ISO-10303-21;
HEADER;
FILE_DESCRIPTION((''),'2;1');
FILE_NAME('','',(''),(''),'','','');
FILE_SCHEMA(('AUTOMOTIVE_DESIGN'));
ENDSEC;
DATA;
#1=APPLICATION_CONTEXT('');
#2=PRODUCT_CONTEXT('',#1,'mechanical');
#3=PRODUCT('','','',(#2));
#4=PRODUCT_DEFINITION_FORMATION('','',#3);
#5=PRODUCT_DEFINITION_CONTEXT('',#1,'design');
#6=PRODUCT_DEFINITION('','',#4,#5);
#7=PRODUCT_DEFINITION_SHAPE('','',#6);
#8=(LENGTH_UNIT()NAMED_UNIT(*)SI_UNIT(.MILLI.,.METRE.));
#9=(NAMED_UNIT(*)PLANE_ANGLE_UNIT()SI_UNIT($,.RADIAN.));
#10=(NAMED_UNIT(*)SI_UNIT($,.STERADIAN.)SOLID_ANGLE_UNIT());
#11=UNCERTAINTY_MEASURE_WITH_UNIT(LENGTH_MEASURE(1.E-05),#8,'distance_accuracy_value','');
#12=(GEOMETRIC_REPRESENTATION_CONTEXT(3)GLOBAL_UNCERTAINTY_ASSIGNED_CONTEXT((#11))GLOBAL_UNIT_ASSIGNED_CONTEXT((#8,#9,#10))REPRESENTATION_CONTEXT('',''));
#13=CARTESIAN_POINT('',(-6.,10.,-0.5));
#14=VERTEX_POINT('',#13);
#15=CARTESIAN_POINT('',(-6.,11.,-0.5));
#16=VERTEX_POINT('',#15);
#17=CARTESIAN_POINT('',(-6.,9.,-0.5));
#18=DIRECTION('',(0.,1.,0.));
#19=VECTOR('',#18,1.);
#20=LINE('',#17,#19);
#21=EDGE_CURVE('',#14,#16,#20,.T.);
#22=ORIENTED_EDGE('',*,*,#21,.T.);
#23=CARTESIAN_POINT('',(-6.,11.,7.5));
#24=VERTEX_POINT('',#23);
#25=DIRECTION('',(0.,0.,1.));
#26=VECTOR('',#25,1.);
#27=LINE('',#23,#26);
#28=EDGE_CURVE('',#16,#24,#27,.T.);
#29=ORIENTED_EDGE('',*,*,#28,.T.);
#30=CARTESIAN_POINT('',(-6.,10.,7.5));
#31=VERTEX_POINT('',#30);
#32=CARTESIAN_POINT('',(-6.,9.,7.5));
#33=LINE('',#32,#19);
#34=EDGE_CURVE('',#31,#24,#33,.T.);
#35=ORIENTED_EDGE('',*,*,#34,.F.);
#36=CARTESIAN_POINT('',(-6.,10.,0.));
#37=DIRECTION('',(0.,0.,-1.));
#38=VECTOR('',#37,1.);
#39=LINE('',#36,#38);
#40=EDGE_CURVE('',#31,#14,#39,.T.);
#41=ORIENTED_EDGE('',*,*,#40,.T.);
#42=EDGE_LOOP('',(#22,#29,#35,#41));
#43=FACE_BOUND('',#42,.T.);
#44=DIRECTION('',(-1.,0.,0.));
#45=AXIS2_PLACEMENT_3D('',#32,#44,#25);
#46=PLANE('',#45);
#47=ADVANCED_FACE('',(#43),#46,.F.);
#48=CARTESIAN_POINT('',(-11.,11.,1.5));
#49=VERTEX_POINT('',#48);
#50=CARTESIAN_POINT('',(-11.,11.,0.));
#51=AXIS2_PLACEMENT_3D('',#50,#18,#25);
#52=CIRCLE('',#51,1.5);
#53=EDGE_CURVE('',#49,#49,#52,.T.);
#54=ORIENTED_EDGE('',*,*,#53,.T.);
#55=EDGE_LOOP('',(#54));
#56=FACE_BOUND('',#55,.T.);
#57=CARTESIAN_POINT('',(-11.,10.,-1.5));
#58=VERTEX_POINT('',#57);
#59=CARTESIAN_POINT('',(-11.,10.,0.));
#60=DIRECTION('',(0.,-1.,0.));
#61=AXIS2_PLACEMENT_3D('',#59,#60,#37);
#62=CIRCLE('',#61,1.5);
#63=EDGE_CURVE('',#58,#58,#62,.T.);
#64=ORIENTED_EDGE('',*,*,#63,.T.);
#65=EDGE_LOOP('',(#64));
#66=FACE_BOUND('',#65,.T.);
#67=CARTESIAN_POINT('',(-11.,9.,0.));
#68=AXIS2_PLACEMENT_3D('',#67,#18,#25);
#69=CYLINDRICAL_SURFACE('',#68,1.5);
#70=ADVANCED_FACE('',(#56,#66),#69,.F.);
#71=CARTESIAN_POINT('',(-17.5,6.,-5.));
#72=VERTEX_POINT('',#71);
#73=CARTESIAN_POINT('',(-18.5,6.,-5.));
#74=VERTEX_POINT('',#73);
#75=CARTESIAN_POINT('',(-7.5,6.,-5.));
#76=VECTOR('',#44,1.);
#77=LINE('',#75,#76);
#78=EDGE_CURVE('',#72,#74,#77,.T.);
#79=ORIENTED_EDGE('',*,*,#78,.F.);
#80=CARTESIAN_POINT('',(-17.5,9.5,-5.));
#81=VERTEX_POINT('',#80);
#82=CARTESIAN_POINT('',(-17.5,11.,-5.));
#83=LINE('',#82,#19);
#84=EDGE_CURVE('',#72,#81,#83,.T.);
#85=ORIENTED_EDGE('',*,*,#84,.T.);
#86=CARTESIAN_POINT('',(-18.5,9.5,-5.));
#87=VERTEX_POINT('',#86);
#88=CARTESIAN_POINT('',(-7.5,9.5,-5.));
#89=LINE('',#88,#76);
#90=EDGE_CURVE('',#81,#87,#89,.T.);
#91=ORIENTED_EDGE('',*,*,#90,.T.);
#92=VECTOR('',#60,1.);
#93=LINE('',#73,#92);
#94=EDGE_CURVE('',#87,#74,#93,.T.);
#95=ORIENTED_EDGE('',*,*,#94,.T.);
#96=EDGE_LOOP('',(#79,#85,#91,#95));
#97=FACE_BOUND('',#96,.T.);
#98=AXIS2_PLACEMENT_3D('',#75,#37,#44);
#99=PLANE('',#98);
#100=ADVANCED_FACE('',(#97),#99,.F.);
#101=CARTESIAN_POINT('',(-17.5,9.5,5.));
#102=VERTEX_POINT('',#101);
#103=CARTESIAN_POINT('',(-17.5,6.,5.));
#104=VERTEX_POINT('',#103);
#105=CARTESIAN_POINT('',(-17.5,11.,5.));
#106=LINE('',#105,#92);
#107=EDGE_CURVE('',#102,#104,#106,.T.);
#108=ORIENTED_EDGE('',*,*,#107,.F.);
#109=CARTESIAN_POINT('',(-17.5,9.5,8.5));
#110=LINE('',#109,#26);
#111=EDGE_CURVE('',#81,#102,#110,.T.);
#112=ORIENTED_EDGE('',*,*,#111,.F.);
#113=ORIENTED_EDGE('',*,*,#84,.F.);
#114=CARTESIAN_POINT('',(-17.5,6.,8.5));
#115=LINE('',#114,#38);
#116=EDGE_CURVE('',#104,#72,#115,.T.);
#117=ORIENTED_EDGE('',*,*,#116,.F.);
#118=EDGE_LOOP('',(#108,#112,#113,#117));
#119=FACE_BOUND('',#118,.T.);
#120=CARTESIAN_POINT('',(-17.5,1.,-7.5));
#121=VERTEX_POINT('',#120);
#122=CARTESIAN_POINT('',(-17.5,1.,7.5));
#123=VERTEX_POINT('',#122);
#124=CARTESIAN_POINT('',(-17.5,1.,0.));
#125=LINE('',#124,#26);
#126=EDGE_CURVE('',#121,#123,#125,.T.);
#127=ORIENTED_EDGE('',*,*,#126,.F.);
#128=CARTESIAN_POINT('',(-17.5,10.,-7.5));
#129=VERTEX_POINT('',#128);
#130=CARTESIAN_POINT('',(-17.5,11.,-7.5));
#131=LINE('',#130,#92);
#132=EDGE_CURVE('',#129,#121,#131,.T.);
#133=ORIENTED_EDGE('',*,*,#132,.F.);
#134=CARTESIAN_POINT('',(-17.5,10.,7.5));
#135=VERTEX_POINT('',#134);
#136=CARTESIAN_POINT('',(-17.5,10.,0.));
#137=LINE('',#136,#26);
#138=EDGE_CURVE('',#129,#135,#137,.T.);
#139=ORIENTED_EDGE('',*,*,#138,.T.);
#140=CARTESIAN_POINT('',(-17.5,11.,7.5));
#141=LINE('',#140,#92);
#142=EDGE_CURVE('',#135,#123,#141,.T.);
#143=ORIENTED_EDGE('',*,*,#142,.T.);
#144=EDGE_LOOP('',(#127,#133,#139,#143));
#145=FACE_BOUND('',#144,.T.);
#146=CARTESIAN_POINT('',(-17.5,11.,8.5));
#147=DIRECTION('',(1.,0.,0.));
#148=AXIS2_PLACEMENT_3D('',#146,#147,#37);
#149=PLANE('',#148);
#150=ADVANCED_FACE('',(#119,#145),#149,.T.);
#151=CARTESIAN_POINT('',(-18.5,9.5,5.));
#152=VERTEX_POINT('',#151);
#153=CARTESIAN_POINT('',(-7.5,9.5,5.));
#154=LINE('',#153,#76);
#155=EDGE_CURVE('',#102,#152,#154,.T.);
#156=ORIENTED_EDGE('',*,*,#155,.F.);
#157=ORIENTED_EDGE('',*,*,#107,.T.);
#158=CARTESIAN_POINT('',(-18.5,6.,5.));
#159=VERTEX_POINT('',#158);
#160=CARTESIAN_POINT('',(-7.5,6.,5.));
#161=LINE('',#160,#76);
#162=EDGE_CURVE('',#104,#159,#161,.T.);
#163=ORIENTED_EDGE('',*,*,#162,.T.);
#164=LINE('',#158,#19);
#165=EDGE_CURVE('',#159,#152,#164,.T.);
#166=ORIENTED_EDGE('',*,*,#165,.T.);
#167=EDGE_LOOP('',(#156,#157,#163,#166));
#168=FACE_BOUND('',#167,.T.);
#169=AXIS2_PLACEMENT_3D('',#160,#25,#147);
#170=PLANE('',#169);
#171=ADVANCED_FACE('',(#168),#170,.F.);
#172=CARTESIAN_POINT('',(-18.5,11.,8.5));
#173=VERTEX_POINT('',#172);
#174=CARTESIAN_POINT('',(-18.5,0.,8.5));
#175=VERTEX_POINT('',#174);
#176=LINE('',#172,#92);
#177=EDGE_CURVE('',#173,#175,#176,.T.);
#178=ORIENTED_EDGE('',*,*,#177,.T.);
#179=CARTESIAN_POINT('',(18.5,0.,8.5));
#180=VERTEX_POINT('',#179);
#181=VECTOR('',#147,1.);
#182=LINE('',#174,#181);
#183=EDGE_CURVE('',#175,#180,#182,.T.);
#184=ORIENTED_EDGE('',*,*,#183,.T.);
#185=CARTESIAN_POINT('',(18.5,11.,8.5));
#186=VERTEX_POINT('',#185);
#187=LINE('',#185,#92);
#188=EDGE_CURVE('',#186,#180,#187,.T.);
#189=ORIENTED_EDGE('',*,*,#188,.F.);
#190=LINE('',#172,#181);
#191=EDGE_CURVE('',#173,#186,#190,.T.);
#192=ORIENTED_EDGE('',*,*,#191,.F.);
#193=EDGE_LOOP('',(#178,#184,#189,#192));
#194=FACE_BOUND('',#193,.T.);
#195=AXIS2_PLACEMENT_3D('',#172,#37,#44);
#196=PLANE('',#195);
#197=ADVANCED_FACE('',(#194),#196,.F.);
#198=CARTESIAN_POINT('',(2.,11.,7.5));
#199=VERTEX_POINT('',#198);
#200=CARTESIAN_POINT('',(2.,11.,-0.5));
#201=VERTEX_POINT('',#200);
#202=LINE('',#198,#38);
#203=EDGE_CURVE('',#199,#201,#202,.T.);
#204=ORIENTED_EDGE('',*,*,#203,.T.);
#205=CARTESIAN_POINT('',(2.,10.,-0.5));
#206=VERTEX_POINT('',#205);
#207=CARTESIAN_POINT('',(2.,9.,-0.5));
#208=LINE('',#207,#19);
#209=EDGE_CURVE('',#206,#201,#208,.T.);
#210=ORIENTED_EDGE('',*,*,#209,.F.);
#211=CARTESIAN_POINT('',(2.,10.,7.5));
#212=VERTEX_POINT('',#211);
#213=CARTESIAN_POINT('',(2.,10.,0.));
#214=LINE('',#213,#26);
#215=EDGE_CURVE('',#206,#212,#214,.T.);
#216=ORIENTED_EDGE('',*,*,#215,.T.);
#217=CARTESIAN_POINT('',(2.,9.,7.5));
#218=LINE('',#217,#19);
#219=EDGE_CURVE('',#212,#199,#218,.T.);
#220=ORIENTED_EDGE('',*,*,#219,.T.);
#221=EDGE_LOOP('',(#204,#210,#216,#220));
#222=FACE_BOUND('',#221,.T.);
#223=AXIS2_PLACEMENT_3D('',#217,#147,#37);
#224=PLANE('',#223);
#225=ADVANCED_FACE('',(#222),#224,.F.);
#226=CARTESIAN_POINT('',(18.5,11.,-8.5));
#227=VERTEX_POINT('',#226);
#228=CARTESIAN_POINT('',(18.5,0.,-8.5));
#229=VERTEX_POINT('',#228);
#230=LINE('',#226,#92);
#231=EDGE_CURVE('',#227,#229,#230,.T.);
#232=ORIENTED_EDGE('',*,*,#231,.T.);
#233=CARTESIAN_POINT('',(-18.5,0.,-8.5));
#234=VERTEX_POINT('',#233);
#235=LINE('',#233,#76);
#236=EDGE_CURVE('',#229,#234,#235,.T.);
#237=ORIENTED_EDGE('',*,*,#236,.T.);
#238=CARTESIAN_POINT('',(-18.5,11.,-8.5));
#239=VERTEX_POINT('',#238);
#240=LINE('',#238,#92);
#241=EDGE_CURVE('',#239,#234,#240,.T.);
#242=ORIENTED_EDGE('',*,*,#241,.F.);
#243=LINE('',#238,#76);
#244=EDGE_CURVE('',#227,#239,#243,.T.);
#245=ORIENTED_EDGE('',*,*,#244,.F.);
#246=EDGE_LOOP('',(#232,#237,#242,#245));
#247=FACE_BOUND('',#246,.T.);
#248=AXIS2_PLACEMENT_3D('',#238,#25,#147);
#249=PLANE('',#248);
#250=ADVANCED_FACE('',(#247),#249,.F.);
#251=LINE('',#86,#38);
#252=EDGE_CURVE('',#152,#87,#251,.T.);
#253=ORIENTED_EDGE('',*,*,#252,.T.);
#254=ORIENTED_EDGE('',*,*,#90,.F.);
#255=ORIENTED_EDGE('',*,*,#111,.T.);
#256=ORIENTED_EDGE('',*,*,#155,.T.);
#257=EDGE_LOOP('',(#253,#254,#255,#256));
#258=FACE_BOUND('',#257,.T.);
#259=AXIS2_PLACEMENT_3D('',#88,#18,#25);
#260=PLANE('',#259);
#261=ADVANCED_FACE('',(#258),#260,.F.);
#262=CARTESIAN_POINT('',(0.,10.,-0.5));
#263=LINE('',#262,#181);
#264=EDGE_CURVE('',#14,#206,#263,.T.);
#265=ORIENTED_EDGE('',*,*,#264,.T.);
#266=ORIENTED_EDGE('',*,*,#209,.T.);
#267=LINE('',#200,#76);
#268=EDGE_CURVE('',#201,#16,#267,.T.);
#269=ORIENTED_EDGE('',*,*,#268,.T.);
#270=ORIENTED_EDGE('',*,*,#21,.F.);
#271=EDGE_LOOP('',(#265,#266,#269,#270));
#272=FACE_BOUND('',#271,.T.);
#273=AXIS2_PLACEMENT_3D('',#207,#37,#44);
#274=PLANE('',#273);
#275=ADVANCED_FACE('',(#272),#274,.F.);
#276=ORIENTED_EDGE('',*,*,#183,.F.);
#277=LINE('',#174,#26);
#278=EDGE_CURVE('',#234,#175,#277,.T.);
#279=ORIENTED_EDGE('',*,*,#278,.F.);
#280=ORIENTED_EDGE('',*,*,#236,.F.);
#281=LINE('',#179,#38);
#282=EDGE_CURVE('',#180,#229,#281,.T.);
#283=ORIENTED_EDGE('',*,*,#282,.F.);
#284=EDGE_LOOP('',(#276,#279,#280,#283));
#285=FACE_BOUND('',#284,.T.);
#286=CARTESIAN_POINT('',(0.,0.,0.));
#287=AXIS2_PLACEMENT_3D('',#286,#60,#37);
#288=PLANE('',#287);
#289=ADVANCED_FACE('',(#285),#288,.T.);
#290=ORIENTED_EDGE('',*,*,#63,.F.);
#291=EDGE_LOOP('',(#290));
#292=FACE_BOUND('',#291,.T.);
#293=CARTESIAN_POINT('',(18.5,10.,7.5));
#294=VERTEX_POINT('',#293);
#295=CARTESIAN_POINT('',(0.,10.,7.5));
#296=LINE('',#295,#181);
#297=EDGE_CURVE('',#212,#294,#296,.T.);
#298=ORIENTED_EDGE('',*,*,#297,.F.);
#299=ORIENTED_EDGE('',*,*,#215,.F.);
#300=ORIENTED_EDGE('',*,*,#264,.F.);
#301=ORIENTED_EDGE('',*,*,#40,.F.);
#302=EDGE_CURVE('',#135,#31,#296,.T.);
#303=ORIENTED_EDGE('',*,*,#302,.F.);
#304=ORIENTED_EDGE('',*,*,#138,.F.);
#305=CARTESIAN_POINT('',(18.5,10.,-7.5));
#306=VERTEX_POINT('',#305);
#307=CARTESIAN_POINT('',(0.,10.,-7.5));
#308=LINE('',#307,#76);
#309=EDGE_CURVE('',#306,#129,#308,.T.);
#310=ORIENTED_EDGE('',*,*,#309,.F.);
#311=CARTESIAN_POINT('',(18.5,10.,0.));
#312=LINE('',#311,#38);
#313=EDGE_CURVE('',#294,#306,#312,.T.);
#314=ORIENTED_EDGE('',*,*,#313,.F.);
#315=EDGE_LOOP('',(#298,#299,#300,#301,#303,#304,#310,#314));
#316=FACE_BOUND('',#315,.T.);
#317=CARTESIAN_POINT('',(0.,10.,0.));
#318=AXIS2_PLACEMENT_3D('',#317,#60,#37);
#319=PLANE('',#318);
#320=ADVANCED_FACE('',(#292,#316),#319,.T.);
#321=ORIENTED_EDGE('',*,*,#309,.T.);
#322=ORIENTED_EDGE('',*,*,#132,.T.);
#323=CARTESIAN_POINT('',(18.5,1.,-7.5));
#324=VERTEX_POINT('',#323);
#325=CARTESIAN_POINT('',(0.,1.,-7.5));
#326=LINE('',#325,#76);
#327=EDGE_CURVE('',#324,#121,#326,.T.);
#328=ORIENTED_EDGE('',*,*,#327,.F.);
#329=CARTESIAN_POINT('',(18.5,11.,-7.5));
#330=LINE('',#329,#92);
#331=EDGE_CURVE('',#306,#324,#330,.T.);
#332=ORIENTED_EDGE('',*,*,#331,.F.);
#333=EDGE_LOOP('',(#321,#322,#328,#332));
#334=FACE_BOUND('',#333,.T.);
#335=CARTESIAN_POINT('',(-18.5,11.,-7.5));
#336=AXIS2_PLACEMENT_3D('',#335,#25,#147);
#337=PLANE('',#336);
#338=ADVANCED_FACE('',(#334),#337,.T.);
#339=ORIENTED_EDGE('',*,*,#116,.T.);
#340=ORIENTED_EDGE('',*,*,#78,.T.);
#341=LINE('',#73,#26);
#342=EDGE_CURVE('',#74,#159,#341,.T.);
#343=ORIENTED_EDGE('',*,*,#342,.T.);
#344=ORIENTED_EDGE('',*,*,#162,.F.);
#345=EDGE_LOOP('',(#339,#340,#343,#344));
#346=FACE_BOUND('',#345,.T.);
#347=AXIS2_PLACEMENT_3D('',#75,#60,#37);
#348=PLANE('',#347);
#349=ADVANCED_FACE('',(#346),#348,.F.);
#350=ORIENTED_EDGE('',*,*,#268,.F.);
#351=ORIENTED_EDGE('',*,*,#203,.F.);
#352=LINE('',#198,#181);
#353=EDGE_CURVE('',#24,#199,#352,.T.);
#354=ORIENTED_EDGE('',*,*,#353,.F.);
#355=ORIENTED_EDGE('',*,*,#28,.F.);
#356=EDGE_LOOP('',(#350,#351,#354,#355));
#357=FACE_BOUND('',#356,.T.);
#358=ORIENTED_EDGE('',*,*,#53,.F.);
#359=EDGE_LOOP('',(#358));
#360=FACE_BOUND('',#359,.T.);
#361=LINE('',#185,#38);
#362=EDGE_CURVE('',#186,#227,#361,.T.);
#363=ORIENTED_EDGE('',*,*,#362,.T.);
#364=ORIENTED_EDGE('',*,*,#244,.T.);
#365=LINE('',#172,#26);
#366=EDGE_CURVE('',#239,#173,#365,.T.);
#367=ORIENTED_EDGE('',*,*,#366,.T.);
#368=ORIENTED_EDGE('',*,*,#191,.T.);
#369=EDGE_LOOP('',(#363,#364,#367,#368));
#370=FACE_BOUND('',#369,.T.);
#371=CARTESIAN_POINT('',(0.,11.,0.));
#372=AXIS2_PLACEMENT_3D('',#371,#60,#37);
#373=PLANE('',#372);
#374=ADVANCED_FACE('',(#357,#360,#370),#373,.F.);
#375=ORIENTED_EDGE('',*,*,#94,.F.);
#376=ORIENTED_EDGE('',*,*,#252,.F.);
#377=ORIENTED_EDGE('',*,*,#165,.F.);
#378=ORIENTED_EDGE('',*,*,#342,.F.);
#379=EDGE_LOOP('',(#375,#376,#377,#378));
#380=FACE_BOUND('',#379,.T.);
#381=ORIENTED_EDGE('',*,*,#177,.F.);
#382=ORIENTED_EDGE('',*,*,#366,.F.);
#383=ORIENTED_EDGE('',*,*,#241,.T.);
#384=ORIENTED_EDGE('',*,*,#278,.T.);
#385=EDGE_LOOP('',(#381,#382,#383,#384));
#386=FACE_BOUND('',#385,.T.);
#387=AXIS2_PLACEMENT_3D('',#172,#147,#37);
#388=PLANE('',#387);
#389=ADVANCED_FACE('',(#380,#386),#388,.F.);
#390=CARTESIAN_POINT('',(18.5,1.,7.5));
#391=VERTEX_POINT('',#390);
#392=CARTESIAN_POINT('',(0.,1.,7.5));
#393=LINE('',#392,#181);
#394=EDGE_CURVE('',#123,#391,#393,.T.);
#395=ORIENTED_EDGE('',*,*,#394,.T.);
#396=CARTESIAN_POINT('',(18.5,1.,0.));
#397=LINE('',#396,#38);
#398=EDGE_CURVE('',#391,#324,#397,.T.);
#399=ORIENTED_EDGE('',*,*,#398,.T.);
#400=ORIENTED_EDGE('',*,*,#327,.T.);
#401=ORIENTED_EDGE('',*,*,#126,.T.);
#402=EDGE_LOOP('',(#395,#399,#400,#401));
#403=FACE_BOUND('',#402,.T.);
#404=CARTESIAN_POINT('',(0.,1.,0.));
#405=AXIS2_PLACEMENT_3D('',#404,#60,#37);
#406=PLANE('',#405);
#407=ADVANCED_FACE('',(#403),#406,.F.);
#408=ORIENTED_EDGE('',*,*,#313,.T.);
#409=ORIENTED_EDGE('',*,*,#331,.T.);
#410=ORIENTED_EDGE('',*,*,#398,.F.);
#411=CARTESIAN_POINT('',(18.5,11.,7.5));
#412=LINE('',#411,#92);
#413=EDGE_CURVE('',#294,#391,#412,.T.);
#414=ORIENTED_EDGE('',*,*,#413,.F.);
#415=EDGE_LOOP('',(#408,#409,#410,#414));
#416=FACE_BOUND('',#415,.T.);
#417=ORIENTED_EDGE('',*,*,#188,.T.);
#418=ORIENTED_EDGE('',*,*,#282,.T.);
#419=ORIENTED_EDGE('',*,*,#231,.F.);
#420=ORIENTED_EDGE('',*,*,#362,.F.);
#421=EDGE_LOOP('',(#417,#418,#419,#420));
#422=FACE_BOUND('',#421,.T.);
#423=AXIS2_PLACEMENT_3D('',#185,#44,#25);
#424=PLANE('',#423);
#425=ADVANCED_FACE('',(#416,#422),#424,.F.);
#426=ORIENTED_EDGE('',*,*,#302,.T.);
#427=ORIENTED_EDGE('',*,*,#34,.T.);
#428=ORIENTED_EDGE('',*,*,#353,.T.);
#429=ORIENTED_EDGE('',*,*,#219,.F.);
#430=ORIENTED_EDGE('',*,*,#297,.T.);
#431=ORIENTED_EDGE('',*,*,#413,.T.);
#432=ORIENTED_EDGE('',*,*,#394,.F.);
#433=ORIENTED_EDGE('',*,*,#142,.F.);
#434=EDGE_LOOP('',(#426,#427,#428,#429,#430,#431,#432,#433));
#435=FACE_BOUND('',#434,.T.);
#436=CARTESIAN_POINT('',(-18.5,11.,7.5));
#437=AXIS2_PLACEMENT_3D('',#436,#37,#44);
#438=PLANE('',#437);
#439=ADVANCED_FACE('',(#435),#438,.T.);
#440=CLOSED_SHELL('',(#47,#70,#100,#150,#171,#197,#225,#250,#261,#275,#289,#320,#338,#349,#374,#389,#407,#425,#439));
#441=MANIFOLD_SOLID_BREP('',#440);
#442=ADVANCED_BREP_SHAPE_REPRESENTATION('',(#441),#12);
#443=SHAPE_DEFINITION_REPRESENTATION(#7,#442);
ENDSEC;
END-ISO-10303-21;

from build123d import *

# Parameters (mm, degrees)
SKETCH1_W           = 37
SKETCH1_H           = 17
BOSS_EXTRUDE1_DEPTH = 11
SHELL1_T            = -1
SKETCH2_W           = 10
SKETCH2_H           = 3.5
CUT_EXTRUDE1_DEPTH  = 11
SKETCH3_R           = 1.5
SKETCH3_W           = 8
SKETCH3_H           = 8
CUT_EXTRUDE2_DEPTH  = 2


with BuildPart() as part:
    # Sketch1 → Boss-Extrude1 (new body)
    with BuildSketch(Plane(origin=(0, 0, 0), x_dir=(1, 0, 0), z_dir=(0, 1, 0))):
        Rectangle(SKETCH1_W, SKETCH1_H)
    extrude(amount=BOSS_EXTRUDE1_DEPTH)

    # Shell1
    shell1_openings = [part.faces().sort_by_distance(p)[0] for p in [
        (18.5, 5.5, 0),
    ]]
    offset(amount=SHELL1_T, openings=shell1_openings, kind=Kind.INTERSECTION)

    # Sketch2 → Cut-Extrude1 (cut)
    with BuildSketch(Plane.ZY.offset(18.5)):
        with Locations((0, 7.75)):
            Rectangle(SKETCH2_W, SKETCH2_H)
    extrude(amount=-CUT_EXTRUDE1_DEPTH, mode=Mode.SUBTRACT)

    # Sketch3 → Cut-Extrude2 (cut)
    with BuildSketch(Plane(origin=(0, 11, 0), x_dir=(1, 0, 0), z_dir=(0, 1, 0))):
        with Locations(Location((-11, 0, 0), (0, 0, 270))):
            Circle(SKETCH3_R)
        with Locations((-2, -3.5)):
            Rectangle(SKETCH3_W, SKETCH3_H)
    extrude(amount=-CUT_EXTRUDE2_DEPTH, mode=Mode.SUBTRACT)


solid = part.part
